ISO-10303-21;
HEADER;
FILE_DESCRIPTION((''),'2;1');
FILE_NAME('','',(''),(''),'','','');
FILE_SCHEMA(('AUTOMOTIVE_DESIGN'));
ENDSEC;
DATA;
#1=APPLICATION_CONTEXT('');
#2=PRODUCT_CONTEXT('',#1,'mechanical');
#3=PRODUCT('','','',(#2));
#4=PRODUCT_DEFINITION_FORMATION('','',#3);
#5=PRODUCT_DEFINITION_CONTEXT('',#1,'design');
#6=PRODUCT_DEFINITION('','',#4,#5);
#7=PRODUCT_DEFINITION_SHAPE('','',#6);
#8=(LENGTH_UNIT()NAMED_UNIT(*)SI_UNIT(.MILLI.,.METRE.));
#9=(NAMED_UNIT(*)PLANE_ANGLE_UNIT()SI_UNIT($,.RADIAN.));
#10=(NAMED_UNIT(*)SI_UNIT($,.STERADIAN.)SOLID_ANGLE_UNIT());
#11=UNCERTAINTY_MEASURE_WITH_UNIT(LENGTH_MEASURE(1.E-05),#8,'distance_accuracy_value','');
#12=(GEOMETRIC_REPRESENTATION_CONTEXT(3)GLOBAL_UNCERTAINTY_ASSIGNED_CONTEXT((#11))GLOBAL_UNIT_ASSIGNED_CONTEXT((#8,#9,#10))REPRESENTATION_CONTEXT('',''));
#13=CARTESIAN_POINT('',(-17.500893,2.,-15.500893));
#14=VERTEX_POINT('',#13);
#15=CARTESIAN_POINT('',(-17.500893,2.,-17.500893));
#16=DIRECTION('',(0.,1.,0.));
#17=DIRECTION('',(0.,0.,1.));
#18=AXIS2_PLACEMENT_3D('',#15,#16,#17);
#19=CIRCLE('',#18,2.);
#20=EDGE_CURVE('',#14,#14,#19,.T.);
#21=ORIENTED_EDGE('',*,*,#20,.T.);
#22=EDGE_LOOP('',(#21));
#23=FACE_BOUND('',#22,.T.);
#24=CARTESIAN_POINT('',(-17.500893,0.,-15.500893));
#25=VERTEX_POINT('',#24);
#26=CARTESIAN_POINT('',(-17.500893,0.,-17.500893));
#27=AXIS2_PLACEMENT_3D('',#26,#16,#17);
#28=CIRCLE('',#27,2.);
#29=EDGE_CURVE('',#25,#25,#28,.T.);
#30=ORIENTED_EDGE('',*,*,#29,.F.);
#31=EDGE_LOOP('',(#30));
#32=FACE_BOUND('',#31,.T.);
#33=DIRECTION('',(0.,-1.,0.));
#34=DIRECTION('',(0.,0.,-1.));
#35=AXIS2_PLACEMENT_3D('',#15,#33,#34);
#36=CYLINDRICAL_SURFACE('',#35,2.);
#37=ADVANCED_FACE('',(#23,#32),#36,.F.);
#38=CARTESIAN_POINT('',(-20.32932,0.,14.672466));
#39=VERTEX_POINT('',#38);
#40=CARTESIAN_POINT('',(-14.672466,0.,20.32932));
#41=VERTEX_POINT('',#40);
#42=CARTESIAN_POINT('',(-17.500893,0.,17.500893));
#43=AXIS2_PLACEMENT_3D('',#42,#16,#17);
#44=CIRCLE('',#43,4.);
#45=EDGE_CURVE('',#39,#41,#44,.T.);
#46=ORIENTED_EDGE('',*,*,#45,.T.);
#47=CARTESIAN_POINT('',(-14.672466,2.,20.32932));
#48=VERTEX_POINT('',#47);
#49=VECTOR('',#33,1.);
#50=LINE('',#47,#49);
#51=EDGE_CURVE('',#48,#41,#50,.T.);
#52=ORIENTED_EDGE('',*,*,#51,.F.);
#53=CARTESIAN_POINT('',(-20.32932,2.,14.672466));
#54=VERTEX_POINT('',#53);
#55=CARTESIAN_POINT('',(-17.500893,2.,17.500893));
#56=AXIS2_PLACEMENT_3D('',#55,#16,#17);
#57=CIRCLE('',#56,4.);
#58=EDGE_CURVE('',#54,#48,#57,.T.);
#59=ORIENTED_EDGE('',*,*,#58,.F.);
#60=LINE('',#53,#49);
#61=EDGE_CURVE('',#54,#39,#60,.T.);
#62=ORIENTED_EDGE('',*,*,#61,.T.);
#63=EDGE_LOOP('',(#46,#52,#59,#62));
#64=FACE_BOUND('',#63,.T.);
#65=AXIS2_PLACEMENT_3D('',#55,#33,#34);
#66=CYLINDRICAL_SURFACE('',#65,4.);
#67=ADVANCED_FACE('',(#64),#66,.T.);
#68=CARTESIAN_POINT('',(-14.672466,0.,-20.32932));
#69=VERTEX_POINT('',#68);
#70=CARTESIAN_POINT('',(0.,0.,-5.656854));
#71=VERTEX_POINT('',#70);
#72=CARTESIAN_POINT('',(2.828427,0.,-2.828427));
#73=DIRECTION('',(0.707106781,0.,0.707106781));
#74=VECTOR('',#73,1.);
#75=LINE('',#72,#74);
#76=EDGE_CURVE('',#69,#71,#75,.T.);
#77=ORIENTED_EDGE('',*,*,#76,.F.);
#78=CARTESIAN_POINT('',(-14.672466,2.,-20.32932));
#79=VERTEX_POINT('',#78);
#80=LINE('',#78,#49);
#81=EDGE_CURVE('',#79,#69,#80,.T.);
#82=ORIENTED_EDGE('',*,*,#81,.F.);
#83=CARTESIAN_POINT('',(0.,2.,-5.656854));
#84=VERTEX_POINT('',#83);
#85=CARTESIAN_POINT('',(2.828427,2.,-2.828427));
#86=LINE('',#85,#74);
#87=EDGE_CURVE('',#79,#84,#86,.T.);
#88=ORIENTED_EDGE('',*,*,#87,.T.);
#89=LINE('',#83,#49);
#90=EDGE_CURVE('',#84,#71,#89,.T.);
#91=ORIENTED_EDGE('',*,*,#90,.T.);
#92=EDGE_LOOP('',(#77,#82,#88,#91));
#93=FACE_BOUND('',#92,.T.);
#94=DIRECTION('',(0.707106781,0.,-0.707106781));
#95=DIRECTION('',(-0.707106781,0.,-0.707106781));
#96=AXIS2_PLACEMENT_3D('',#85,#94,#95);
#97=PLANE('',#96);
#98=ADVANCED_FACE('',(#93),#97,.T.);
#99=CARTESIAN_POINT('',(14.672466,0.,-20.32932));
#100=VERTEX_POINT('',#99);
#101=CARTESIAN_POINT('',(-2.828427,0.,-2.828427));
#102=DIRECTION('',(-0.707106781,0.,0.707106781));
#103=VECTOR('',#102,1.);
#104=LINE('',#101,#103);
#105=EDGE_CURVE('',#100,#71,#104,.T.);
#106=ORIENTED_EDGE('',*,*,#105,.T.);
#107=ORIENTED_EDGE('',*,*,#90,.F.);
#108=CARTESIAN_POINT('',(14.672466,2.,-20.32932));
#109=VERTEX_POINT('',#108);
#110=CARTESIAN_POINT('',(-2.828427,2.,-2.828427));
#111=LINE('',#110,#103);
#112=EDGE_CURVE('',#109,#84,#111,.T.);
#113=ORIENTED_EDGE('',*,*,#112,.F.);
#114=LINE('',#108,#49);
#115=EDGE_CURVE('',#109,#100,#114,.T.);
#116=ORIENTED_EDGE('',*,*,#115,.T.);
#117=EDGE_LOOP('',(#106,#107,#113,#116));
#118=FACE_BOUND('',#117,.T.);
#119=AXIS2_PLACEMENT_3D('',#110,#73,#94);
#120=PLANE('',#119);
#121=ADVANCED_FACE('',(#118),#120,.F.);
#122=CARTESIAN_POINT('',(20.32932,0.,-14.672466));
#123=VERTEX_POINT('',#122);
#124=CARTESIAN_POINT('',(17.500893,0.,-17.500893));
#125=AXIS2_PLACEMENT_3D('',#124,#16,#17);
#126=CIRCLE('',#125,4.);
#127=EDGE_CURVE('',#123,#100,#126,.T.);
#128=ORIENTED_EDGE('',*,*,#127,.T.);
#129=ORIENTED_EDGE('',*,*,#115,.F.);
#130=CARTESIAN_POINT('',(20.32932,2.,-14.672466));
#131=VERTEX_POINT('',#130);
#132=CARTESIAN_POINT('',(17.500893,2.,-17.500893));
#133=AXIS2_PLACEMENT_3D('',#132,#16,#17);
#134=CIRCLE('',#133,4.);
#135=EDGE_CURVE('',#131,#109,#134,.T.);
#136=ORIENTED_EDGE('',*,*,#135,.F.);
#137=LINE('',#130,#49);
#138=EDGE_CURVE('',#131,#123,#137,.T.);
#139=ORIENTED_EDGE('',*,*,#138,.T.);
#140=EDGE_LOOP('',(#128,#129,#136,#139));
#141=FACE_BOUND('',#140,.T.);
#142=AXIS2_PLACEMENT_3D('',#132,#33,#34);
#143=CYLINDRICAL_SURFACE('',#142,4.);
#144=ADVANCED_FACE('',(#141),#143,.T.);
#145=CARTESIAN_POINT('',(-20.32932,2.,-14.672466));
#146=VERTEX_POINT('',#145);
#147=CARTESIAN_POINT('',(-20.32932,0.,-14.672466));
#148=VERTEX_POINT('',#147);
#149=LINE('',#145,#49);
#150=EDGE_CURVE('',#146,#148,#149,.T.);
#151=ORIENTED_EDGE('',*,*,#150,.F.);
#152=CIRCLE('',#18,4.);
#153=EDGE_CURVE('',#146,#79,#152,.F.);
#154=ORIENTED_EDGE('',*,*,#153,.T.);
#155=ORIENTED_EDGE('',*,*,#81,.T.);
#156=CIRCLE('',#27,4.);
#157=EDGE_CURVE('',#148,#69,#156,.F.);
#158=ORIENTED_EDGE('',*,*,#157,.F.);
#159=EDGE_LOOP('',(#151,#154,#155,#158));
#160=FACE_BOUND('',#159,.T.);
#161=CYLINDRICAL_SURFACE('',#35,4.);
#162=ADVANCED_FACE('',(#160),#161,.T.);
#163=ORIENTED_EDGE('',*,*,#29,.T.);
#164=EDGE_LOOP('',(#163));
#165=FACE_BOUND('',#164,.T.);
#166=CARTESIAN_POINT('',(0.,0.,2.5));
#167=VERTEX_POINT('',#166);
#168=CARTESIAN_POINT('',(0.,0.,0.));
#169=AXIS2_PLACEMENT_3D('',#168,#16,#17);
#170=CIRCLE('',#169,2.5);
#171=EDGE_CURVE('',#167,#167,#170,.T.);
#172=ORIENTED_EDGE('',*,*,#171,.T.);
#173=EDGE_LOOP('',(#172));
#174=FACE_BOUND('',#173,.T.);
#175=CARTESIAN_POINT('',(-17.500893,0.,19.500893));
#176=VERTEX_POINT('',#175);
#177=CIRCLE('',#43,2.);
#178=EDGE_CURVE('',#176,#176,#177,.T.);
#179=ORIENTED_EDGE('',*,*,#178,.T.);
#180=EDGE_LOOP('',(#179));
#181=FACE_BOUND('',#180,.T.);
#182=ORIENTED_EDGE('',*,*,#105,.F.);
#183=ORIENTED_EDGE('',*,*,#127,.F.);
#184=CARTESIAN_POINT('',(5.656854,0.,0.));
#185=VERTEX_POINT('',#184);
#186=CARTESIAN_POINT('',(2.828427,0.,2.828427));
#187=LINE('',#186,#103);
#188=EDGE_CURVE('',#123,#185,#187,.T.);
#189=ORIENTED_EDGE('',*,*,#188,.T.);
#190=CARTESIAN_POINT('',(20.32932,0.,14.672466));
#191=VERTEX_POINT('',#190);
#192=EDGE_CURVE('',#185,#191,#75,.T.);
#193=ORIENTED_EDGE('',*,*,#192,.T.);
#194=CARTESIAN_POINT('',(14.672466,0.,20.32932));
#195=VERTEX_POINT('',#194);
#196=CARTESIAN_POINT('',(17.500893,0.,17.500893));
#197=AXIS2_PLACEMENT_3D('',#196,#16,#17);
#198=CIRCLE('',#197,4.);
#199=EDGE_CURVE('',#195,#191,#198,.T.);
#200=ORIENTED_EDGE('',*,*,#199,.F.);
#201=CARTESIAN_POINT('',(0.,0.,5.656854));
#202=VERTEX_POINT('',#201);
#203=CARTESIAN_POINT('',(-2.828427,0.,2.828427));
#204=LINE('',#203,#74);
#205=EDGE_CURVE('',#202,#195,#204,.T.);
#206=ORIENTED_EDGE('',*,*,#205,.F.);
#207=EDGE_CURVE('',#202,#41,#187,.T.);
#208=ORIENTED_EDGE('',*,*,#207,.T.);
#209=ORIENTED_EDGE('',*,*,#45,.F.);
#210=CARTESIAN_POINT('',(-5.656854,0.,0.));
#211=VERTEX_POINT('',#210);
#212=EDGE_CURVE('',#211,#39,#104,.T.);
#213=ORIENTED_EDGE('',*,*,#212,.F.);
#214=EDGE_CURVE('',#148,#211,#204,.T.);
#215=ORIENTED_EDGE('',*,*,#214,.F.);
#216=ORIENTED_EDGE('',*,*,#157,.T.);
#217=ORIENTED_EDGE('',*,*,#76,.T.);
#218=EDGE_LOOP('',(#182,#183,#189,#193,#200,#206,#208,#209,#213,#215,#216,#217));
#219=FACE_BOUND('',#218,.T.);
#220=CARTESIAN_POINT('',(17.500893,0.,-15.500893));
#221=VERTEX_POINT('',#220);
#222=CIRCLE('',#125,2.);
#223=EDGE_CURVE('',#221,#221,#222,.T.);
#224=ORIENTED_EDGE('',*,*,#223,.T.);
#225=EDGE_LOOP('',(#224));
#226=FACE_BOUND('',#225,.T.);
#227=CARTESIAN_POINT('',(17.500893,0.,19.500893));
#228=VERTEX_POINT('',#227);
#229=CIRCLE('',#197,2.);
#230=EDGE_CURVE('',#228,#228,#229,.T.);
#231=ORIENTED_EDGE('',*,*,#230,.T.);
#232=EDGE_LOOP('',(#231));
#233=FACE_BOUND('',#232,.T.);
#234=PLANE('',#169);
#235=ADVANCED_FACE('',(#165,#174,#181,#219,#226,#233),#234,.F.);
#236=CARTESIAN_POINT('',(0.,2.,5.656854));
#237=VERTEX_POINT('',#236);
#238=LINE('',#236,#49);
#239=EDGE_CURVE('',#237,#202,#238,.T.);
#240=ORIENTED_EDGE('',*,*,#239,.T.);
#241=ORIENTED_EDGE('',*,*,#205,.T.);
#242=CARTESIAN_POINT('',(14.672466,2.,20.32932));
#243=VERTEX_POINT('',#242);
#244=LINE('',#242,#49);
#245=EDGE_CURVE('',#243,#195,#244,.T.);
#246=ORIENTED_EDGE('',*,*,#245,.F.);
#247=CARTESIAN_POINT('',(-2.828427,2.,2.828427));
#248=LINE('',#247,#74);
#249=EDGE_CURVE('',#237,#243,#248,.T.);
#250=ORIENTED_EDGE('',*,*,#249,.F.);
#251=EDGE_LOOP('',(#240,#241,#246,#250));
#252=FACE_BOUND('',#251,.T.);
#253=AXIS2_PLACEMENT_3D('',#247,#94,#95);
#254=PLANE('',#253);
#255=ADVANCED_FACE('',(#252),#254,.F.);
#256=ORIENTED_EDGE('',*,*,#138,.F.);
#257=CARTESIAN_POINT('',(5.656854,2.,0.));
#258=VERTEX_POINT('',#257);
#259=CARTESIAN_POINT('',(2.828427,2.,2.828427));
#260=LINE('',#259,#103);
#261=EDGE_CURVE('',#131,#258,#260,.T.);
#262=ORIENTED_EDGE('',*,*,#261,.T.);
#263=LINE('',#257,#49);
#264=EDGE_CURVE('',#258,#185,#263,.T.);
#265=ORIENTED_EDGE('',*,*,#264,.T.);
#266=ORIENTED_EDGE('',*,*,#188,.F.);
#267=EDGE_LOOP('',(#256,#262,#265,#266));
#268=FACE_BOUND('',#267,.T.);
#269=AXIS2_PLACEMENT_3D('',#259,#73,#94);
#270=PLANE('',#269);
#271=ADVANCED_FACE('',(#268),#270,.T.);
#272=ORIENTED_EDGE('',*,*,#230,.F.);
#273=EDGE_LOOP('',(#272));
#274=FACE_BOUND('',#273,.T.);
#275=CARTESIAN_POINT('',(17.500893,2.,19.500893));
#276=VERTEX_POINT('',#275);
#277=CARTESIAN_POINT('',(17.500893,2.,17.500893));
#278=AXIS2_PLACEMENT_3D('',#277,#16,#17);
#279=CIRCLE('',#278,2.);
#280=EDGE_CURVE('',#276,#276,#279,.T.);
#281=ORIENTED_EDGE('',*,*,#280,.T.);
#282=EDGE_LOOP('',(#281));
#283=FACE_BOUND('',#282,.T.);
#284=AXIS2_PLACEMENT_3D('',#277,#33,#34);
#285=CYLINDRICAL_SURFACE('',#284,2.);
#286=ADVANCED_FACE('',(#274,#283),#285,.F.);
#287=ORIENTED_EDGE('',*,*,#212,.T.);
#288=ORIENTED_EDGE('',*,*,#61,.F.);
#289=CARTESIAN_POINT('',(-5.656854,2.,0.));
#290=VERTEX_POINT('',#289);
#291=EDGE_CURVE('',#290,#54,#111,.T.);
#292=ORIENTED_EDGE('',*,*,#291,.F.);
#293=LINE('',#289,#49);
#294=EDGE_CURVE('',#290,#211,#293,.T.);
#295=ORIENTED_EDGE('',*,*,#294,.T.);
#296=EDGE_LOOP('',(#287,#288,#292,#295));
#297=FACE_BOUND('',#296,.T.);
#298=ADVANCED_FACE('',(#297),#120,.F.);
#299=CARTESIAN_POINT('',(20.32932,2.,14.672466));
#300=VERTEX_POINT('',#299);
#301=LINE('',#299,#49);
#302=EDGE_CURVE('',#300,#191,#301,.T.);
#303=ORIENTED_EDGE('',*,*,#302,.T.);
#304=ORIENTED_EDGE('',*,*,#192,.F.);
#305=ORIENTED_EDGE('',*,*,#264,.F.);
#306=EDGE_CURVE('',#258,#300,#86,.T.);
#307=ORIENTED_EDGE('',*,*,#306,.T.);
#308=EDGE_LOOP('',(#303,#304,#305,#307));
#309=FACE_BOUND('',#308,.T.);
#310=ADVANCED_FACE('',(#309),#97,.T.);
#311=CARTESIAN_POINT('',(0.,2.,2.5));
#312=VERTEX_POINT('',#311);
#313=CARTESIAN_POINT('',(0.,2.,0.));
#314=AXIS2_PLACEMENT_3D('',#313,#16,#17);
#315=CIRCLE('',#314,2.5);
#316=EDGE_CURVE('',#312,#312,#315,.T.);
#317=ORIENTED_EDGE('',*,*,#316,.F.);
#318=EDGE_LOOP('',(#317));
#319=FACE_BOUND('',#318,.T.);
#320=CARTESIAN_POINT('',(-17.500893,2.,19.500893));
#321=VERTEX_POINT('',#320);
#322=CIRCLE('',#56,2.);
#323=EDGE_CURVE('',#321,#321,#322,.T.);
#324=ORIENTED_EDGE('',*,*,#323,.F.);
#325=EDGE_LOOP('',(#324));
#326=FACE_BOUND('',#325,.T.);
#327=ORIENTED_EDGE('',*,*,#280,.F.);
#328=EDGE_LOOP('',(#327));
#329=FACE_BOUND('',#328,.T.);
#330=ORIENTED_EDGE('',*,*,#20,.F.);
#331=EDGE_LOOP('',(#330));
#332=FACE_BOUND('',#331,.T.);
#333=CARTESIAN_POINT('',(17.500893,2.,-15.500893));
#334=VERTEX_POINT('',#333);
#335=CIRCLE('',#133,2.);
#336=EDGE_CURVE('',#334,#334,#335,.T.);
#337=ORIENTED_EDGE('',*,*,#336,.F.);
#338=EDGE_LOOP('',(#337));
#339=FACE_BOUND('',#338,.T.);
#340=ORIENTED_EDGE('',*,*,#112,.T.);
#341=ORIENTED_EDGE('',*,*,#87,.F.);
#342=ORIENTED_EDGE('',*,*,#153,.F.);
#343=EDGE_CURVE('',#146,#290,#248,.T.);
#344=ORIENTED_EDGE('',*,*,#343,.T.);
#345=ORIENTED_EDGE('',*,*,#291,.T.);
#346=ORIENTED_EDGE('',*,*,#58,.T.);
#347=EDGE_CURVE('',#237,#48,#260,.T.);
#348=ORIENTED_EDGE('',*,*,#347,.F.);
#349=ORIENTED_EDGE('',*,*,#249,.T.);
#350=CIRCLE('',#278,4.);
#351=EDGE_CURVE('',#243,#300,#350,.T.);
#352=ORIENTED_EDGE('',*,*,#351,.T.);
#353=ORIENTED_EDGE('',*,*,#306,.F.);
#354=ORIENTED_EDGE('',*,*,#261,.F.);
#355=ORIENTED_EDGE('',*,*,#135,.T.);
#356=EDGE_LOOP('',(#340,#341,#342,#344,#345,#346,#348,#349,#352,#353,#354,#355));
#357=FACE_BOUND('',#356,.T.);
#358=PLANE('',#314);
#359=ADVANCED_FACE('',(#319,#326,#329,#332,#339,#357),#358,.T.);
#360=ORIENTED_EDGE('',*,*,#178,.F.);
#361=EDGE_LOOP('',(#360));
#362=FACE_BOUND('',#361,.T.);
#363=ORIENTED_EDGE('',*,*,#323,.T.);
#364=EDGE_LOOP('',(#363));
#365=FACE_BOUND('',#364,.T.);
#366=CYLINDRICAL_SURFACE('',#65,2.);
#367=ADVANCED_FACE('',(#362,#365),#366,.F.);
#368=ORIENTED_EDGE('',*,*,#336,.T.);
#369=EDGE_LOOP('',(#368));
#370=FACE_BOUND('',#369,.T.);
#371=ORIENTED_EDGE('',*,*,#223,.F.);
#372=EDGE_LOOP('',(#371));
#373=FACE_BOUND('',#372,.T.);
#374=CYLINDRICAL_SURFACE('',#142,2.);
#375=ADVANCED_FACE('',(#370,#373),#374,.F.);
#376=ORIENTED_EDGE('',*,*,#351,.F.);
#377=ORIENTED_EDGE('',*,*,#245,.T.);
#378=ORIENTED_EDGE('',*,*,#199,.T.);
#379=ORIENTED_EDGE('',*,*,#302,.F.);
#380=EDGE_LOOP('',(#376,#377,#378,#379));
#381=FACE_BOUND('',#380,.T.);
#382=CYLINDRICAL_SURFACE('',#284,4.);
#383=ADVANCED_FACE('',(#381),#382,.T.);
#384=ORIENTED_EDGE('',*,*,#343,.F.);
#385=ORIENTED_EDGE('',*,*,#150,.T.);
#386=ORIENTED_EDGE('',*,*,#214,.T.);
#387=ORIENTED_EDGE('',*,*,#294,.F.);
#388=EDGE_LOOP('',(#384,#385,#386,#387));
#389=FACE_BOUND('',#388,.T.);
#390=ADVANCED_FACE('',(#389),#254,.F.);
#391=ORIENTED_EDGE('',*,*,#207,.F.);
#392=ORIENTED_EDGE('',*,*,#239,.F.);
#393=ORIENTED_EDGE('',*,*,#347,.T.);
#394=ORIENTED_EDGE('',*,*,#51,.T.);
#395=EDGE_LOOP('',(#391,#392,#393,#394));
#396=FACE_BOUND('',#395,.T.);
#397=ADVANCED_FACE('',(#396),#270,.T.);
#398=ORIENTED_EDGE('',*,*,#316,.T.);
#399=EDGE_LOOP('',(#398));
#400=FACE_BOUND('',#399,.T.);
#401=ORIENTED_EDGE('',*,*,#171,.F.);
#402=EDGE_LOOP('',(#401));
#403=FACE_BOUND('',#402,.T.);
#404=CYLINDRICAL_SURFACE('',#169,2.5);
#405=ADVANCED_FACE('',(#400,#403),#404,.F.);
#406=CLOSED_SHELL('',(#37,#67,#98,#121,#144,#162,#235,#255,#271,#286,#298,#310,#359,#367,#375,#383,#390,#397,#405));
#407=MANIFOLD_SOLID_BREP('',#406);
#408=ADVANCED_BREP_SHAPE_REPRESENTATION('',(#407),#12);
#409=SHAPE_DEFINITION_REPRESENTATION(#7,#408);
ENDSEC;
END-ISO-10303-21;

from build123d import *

# Parameters (mm, degrees)
SKETCH1_R           = 2
BOSS_EXTRUDE1_DEPTH = 2
SKETCH2_R           = 2.5
CUT_EXTRUDE1_DEPTH  = 2


with BuildPart() as part:
    # Sketch1 → Boss-Extrude1 (new body)
    with BuildSketch(Plane(origin=(0, 0, 0), x_dir=(1, 0, 0), z_dir=(0, 1, 0))):
        with BuildLine():
            Line((-5.656854249, 0), (-20.329319959, -14.67246571))
            ThreePointArc((-20.329319959, -14.67246571), (-20.329319959, -20.329319959), (-14.67246571, -20.329319959))
            Line((-14.67246571, -20.329319959), (0, -5.656854249))
            Line((0, -5.656854249), (14.67246571, -20.329319959))
            ThreePointArc((14.67246571, -20.329319959), (20.329319959, -20.329319959), (20.329319959, -14.67246571))
            Line((20.329319959, -14.67246571), (5.656854249, 0))
            Line((5.656854249, 0), (20.329319959, 14.67246571))
            ThreePointArc((20.329319959, 14.67246571), (20.329319959, 20.329319959), (14.67246571, 20.329319959))
            Line((14.67246571, 20.329319959), (0, 5.656854249))
            Line((0, 5.656854249), (-14.67246571, 20.329319959))
            ThreePointArc((-14.67246571, 20.329319959), (-20.329319959, 20.329319959), (-20.329319959, 14.67246571))
            Line((-20.329319959, 14.67246571), (-5.656854249, 0))
        make_face()
        with Locations((-17.500892834, 17.500892834)):
            Circle(SKETCH1_R, mode=Mode.SUBTRACT)
        with Locations((17.500892834, 17.500892834)):
            Circle(SKETCH1_R, mode=Mode.SUBTRACT)
        with Locations((17.500892834, -17.500892834)):
            Circle(SKETCH1_R, mode=Mode.SUBTRACT)
        with Locations((-17.500892834, -17.500892834)):
            Circle(SKETCH1_R, mode=Mode.SUBTRACT)
    extrude(amount=BOSS_EXTRUDE1_DEPTH)

    # Sketch2 → Cut-Extrude1 (cut)
    with BuildSketch(Plane(origin=(0, 2, 0), x_dir=(1, 0, 0), z_dir=(0, 1, 0))):
        Circle(SKETCH2_R)
    extrude(amount=-CUT_EXTRUDE1_DEPTH, mode=Mode.SUBTRACT)


solid = part.part
